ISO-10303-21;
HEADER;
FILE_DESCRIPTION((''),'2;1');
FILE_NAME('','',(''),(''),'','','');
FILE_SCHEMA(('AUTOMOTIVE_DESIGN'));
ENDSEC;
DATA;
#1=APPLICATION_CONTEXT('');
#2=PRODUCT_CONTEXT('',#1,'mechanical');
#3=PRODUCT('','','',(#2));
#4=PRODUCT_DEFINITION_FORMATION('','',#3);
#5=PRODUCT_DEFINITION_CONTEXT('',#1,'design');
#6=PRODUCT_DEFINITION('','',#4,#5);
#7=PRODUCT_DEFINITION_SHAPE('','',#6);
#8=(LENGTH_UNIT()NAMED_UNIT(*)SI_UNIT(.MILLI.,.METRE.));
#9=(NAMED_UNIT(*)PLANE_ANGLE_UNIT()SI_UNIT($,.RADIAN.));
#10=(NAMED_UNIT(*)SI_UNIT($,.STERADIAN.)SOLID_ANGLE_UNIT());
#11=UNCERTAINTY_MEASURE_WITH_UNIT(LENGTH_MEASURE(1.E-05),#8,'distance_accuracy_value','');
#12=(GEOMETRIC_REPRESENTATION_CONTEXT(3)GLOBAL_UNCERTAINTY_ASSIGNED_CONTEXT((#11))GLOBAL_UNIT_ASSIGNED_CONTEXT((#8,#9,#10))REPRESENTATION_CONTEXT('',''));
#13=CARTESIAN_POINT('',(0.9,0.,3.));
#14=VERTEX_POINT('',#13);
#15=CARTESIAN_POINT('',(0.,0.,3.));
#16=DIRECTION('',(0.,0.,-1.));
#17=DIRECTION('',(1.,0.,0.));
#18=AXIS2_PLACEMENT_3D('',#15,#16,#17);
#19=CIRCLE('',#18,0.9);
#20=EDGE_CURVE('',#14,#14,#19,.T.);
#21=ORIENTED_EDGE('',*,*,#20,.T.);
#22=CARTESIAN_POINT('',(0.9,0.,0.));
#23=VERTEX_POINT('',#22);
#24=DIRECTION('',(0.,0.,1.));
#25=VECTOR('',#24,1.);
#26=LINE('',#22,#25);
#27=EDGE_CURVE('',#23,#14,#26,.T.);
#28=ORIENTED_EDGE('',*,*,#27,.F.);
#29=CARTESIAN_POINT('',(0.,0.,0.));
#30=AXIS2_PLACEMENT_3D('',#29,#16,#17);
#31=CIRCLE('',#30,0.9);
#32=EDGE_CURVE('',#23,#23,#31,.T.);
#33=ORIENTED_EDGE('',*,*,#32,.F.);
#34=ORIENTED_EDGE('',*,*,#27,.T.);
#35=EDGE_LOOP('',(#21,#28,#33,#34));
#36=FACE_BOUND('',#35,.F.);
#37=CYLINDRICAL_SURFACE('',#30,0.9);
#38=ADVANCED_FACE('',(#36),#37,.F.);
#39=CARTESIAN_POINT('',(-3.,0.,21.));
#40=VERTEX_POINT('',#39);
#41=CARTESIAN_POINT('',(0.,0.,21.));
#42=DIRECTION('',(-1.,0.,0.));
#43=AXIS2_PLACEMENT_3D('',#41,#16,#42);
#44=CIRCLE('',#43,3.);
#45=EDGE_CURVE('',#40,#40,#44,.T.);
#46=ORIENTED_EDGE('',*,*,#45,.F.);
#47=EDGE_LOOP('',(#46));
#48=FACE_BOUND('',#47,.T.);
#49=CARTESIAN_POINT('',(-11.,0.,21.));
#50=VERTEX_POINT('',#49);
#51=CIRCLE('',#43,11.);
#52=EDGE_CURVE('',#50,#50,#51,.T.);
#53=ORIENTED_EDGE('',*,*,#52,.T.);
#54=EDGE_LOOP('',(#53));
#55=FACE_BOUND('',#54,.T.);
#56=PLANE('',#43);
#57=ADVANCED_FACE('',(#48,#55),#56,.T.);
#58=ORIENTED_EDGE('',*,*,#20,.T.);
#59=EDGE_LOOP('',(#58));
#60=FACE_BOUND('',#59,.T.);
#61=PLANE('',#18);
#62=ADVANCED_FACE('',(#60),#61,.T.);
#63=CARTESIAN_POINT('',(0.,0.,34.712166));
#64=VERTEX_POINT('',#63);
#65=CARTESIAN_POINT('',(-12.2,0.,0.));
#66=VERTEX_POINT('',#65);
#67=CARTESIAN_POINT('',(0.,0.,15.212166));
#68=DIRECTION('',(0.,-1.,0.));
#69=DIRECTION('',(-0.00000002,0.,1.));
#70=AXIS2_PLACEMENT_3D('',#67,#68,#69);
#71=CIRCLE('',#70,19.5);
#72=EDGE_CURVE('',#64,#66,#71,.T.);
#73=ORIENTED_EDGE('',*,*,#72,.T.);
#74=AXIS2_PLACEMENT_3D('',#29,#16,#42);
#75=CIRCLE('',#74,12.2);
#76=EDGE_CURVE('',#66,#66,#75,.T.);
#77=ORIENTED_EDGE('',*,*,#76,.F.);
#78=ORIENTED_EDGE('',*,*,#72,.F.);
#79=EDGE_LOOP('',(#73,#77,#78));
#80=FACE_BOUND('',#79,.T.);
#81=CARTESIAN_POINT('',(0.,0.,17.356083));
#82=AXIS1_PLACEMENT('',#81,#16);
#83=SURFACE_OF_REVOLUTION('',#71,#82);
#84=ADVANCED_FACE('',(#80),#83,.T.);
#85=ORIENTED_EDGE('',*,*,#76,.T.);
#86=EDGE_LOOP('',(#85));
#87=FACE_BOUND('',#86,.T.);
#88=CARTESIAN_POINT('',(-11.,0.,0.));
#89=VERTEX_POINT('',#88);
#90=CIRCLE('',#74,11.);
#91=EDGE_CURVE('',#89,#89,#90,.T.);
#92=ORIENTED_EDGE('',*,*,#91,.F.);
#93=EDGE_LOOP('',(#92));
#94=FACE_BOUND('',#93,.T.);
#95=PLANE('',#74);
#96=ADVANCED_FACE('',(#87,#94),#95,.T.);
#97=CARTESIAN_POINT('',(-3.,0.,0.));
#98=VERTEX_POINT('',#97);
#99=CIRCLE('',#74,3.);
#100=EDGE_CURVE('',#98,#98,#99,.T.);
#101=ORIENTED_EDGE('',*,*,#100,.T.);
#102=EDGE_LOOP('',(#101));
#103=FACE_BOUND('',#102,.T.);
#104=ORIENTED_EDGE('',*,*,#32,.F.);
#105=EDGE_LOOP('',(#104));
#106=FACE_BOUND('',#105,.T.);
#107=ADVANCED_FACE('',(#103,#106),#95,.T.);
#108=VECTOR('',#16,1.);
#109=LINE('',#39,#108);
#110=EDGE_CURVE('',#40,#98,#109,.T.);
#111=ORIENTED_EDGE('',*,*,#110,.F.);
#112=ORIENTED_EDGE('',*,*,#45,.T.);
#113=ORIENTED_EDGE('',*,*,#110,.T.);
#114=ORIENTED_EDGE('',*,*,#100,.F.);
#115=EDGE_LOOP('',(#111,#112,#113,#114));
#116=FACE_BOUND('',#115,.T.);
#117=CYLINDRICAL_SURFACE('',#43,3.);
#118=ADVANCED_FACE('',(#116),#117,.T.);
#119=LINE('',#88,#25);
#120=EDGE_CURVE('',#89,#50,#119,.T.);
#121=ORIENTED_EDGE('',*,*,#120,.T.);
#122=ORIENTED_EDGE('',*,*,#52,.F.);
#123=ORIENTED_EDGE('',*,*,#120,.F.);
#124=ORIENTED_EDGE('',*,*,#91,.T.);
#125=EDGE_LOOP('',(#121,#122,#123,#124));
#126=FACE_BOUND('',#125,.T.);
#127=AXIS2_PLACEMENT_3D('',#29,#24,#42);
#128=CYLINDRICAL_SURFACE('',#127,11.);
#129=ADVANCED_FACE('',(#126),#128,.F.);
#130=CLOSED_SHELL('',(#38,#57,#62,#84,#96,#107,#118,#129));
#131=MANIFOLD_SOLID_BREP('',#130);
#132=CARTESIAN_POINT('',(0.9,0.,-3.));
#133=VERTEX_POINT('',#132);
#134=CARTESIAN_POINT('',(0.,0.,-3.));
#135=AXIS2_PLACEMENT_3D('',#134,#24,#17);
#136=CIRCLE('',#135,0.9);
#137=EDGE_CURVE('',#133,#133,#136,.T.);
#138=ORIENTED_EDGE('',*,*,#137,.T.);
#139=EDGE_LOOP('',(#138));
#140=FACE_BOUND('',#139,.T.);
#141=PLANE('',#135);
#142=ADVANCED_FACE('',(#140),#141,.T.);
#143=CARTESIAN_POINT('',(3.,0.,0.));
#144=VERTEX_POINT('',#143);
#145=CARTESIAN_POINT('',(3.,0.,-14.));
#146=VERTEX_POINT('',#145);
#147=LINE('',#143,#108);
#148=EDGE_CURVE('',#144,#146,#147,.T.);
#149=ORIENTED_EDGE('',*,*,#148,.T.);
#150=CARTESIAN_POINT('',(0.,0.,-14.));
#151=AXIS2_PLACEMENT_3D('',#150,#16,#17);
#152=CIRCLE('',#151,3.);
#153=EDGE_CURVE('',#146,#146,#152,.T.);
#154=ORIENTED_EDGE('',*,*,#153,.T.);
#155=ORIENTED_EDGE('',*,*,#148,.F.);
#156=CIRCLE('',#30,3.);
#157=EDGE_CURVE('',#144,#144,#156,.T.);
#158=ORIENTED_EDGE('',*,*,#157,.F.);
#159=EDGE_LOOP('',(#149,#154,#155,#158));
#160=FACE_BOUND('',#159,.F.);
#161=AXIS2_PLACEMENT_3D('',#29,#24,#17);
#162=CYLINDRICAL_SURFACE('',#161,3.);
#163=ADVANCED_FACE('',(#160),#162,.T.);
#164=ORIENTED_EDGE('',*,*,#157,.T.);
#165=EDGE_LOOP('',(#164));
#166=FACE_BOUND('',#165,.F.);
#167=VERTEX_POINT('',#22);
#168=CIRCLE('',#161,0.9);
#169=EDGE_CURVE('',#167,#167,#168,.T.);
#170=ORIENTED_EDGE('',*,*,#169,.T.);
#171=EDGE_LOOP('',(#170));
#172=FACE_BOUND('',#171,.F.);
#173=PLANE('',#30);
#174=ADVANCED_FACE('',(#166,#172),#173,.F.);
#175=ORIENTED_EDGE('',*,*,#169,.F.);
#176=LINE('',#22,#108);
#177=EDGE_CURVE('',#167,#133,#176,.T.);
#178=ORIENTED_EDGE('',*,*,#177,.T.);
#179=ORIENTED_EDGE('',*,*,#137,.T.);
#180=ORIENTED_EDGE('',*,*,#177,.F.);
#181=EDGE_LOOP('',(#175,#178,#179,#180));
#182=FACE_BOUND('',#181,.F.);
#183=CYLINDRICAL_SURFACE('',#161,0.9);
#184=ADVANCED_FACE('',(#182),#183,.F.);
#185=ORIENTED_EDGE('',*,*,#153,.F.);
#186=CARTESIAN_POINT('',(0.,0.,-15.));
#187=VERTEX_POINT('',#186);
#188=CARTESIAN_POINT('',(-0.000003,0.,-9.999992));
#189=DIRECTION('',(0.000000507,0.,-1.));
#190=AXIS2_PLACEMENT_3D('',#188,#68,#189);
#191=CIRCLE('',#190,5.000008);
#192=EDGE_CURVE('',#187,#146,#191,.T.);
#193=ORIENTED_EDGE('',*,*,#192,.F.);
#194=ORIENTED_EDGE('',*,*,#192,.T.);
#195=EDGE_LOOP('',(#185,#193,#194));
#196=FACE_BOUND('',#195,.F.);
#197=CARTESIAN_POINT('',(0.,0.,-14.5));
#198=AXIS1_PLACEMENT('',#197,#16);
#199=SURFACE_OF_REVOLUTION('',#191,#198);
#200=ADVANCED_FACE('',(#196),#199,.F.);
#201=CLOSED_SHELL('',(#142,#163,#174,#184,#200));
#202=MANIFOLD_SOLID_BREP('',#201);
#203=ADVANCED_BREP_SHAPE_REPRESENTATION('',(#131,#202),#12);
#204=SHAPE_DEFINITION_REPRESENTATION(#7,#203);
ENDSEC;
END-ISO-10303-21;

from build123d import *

# Parameters (mm, degrees)
F1_FACE_R = 3
F2_DEPTH  = 14
F5_R      = 0.9
F6_DEPTH  = 3
F7_R      = 0.9
F8_DEPTH  = 3


with BuildPart() as f1:
    # F0 (on Front) → F1 (revolve)
    with BuildSketch(Plane.XZ):
        with BuildLine():
            Line((0, 0), (0, 34.712166))
            ThreePointArc((0, 34.712166), (-18.396837, 21.677951), (-12.2, 0))
            Line((-12.2, 0), (-11, 0))
            Line((-11, 0), (-11, 21))
            Line((-11, 21), (-3, 21))
            Line((-3, 21), (-3, 0))
            Line((-3, 0), (0, 0))
        make_face()
    revolve(axis=Axis((0, 0, 17.356083), (0, 0, -1)))

    # F5 (on face) → F6 (cut)
    with BuildSketch(Plane(origin=(0, 0, 0), x_dir=(1, 0, 0), z_dir=(0, 0, -1))):
        Circle(F5_R)
    extrude(amount=-F6_DEPTH, mode=Mode.SUBTRACT)


with BuildPart() as f2:
    # F1_face (on face) → F2 (new body)
    with BuildSketch(Plane(origin=(0, 0, 0), x_dir=(1, 0, 0), z_dir=(0, 0, -1))):
        Circle(F1_FACE_R)
    extrude(amount=F2_DEPTH)

    # F3 (on Front) → F4 (revolve)
    with BuildSketch(Plane.XZ):
        with BuildLine():
            Line((0, -14), (0, -15))
            ThreePointArc((0, -15), (1.581139, -14.743416), (3, -14))
            Line((3, -14), (0, -14))
        make_face()
    revolve(axis=Axis((0, 0, -14.5), (0, 0, -1)))

    # F7 (on face) → F8 (cut)
    with BuildSketch(Plane.XY):
        Circle(F7_R)
    extrude(amount=-F8_DEPTH, mode=Mode.SUBTRACT)


solid = Compound([f1.part, f2.part])
